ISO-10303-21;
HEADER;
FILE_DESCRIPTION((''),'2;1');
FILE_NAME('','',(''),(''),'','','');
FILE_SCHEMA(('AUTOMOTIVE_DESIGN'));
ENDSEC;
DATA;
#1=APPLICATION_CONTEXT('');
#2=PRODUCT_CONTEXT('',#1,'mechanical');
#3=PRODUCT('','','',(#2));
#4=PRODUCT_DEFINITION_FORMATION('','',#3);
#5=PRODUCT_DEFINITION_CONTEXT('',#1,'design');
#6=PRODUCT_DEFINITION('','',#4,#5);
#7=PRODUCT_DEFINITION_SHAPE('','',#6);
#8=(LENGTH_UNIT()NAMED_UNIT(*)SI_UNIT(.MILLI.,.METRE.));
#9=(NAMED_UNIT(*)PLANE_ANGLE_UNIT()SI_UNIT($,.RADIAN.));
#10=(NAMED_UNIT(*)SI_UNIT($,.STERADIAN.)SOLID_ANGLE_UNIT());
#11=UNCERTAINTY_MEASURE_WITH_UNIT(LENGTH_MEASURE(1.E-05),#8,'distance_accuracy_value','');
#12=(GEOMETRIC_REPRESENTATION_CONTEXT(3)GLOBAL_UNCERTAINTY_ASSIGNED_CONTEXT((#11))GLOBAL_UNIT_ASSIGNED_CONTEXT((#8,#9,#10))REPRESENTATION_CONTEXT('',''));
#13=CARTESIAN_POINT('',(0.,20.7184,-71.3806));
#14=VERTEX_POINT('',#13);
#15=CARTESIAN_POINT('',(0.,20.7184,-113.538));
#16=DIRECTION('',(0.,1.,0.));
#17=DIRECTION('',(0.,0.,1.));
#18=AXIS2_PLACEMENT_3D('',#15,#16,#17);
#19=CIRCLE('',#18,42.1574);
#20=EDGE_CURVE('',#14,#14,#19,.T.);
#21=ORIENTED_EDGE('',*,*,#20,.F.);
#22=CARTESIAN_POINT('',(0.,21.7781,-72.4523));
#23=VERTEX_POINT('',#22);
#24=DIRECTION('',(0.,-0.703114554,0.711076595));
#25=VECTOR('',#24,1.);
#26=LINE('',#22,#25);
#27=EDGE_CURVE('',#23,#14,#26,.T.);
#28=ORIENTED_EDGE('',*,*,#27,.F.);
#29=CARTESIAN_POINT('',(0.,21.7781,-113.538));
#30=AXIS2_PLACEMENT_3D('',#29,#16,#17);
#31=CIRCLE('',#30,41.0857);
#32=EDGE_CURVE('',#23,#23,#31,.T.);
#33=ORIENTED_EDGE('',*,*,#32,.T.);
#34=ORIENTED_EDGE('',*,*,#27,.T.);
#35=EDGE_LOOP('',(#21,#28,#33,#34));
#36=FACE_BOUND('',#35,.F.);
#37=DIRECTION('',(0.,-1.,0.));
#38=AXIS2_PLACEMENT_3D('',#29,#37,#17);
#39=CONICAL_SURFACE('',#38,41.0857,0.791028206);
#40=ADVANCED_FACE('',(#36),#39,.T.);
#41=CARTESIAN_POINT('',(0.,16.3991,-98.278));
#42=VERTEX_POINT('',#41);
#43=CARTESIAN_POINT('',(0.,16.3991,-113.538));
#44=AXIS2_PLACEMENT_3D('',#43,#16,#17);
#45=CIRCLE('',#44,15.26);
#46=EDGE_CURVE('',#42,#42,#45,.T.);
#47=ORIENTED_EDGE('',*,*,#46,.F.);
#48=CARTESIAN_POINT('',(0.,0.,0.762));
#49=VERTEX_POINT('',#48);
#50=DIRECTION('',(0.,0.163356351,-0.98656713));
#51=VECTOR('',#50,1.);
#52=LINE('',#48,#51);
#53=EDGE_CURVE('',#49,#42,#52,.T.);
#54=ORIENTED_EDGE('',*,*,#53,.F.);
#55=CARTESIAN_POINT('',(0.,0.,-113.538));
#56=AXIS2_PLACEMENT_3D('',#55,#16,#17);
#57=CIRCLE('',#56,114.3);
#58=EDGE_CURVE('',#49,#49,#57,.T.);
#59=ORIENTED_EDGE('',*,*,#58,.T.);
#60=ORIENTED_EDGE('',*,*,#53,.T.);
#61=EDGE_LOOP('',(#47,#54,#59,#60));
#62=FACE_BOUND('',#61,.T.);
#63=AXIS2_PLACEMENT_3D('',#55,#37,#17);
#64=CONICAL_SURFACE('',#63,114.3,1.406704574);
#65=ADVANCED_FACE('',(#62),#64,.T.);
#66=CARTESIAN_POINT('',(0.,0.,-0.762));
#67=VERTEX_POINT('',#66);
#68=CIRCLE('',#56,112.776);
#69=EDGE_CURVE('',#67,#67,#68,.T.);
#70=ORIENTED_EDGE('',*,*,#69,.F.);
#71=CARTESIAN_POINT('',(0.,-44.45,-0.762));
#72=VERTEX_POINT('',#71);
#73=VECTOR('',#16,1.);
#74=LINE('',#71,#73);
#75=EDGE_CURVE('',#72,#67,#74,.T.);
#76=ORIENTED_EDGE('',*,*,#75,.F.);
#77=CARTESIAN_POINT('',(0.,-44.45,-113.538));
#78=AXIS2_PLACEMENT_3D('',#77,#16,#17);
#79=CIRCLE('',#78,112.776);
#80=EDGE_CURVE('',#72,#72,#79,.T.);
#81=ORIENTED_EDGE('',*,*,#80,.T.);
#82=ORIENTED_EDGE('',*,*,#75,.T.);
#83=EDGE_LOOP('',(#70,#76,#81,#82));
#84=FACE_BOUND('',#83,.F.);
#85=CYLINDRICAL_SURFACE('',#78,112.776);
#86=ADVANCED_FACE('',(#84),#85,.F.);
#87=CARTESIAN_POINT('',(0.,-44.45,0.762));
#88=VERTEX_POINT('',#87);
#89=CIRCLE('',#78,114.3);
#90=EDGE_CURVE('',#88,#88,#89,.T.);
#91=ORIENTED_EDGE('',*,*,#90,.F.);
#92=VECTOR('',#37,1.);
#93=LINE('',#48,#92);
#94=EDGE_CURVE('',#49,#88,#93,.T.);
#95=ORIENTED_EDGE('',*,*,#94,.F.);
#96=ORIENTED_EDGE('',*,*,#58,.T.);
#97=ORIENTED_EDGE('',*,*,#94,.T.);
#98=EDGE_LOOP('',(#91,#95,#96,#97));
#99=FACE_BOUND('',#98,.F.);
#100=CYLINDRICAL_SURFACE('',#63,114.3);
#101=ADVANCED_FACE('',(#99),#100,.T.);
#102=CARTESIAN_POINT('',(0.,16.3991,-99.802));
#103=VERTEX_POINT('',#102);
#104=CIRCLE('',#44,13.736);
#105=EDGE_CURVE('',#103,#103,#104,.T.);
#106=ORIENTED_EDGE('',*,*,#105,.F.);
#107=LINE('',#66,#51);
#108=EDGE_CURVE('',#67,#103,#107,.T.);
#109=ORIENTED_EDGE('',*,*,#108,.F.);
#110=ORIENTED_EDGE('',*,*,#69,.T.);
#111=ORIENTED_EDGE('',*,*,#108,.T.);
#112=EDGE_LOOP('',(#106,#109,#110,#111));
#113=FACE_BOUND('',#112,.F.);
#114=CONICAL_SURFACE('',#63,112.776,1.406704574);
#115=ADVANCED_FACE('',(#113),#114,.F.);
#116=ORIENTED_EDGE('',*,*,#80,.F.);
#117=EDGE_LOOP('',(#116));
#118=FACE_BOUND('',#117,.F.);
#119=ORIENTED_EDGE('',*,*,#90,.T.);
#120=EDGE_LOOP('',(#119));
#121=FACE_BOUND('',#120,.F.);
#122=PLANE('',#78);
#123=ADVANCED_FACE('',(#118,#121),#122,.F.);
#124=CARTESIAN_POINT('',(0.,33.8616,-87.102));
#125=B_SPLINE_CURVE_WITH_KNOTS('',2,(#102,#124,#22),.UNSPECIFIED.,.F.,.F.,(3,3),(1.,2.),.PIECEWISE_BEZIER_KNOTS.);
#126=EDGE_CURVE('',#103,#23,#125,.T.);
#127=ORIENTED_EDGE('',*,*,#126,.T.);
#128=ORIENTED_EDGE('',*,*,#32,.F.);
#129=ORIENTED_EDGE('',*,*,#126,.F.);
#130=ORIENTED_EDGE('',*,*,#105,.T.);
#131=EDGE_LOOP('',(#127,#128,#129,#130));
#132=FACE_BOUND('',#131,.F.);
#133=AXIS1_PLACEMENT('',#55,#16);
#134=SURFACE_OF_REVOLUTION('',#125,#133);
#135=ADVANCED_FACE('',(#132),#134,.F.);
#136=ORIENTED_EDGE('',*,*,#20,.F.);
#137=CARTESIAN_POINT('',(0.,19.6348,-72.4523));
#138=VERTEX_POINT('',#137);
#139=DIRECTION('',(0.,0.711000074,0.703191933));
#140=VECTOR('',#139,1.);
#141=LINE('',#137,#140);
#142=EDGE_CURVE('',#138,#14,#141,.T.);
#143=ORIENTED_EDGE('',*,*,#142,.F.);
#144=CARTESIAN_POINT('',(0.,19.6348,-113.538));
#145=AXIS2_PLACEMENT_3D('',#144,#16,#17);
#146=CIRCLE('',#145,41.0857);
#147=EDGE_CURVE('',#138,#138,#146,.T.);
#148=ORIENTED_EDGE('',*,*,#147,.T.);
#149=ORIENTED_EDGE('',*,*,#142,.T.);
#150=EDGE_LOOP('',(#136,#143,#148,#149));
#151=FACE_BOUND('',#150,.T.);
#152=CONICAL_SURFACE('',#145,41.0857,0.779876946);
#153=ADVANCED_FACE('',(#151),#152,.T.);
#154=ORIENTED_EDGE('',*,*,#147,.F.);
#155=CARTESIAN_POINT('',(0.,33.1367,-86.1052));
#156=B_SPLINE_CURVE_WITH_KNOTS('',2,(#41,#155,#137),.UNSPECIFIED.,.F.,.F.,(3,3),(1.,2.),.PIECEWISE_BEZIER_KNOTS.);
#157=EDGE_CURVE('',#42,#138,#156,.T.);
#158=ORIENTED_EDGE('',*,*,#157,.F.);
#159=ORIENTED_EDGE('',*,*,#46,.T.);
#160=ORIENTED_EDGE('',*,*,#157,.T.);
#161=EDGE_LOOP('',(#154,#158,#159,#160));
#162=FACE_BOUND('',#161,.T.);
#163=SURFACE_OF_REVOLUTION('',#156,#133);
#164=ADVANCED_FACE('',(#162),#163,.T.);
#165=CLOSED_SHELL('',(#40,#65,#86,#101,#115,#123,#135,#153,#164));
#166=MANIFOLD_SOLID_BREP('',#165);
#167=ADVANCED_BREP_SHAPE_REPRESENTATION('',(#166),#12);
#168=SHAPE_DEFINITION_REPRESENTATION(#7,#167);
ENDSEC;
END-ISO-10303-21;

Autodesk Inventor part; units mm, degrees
ref_plane "YZ Plane" through (0, 0, 0) normal (1, 0, 0) x (0, 1, 0)
ref_plane "XZ Plane" through (0, 0, 0) normal (0, 1, 0) x (-1, 0, 0)
ref_plane "XY Plane" through (0, 0, 0) normal (0, 0, 1) x (1, 0, 0)
sketch "Sketch1" plane through (0, 0, 0) normal (1, 0, 0) x (0, 1, 0)
  line L0 (16.3991, -98.278) -> (51.3241, -72.878) construction
  line L1 (51.3241, -72.878) -> (51.3241, -74.402) construction
  line L2 (51.3241, -74.402) -> (16.3991, -99.802) construction
  line L3 (0, -113.538) -> (16.3991, -113.538)
  line L4 (0, 0.762) -> (0, -0.762)
  line L5 (0, 0.762) -> (16.3991, -98.278)
  line L6 (0, -0.762) -> (16.3991, -99.802)
  line L7 (16.3991, -99.802) -> (16.3991, -98.278)
  line L8 (16.3991, -98.278) -> (33.1367, -86.1052) construction
  line L9 (33.1367, -86.1052) -> (19.6348, -72.4523) construction
  spline S0 degree 2 poles (16.3991, -98.278) (33.1367, -86.1052) (19.6348, -72.4523) knots 1 1 1 2 2 2
  line L10 (19.6348, -72.4523) -> (20.7184, -71.3806)
  line L11 (16.3991, -99.802) -> (33.8616, -87.102) construction
  line L12 (33.8616, -87.102) -> (21.7781, -72.4523) construction
  spline S1 degree 2 poles (16.3991, -99.802) (33.8616, -87.102) (21.7781, -72.4523) knots 1 1 1 2 2 2
  line L13 (21.7781, -72.4523) -> (20.7184, -71.3806)
  line L14 (0, 0.762) -> (-44.45, 0.762)
  line L15 (-44.45, 0.762) -> (-44.45, -0.762)
  line L16 (-44.45, -0.762) -> (0, -0.762)
  line L17 (0, -0.762) -> (0, 0.762)
  point P0 (0, 0)
  dimension "d5" = 1.524
  dimension "d8" = 34.925
  dimension "d26" = 1.524
  dimension "d27" = 1.524
  dimension "d28" = 1.524
  dimension "d30" = 44.45
  dimension "d31" = 1.524
  dimension "d32" = 114.3
revolve "Revolution2" add sketch "Sketch1" angle 360 about axis through (0, 0, -113.538) along (0, 1, 0)
properties part number "rubber_sleeve" material "Rubber"
